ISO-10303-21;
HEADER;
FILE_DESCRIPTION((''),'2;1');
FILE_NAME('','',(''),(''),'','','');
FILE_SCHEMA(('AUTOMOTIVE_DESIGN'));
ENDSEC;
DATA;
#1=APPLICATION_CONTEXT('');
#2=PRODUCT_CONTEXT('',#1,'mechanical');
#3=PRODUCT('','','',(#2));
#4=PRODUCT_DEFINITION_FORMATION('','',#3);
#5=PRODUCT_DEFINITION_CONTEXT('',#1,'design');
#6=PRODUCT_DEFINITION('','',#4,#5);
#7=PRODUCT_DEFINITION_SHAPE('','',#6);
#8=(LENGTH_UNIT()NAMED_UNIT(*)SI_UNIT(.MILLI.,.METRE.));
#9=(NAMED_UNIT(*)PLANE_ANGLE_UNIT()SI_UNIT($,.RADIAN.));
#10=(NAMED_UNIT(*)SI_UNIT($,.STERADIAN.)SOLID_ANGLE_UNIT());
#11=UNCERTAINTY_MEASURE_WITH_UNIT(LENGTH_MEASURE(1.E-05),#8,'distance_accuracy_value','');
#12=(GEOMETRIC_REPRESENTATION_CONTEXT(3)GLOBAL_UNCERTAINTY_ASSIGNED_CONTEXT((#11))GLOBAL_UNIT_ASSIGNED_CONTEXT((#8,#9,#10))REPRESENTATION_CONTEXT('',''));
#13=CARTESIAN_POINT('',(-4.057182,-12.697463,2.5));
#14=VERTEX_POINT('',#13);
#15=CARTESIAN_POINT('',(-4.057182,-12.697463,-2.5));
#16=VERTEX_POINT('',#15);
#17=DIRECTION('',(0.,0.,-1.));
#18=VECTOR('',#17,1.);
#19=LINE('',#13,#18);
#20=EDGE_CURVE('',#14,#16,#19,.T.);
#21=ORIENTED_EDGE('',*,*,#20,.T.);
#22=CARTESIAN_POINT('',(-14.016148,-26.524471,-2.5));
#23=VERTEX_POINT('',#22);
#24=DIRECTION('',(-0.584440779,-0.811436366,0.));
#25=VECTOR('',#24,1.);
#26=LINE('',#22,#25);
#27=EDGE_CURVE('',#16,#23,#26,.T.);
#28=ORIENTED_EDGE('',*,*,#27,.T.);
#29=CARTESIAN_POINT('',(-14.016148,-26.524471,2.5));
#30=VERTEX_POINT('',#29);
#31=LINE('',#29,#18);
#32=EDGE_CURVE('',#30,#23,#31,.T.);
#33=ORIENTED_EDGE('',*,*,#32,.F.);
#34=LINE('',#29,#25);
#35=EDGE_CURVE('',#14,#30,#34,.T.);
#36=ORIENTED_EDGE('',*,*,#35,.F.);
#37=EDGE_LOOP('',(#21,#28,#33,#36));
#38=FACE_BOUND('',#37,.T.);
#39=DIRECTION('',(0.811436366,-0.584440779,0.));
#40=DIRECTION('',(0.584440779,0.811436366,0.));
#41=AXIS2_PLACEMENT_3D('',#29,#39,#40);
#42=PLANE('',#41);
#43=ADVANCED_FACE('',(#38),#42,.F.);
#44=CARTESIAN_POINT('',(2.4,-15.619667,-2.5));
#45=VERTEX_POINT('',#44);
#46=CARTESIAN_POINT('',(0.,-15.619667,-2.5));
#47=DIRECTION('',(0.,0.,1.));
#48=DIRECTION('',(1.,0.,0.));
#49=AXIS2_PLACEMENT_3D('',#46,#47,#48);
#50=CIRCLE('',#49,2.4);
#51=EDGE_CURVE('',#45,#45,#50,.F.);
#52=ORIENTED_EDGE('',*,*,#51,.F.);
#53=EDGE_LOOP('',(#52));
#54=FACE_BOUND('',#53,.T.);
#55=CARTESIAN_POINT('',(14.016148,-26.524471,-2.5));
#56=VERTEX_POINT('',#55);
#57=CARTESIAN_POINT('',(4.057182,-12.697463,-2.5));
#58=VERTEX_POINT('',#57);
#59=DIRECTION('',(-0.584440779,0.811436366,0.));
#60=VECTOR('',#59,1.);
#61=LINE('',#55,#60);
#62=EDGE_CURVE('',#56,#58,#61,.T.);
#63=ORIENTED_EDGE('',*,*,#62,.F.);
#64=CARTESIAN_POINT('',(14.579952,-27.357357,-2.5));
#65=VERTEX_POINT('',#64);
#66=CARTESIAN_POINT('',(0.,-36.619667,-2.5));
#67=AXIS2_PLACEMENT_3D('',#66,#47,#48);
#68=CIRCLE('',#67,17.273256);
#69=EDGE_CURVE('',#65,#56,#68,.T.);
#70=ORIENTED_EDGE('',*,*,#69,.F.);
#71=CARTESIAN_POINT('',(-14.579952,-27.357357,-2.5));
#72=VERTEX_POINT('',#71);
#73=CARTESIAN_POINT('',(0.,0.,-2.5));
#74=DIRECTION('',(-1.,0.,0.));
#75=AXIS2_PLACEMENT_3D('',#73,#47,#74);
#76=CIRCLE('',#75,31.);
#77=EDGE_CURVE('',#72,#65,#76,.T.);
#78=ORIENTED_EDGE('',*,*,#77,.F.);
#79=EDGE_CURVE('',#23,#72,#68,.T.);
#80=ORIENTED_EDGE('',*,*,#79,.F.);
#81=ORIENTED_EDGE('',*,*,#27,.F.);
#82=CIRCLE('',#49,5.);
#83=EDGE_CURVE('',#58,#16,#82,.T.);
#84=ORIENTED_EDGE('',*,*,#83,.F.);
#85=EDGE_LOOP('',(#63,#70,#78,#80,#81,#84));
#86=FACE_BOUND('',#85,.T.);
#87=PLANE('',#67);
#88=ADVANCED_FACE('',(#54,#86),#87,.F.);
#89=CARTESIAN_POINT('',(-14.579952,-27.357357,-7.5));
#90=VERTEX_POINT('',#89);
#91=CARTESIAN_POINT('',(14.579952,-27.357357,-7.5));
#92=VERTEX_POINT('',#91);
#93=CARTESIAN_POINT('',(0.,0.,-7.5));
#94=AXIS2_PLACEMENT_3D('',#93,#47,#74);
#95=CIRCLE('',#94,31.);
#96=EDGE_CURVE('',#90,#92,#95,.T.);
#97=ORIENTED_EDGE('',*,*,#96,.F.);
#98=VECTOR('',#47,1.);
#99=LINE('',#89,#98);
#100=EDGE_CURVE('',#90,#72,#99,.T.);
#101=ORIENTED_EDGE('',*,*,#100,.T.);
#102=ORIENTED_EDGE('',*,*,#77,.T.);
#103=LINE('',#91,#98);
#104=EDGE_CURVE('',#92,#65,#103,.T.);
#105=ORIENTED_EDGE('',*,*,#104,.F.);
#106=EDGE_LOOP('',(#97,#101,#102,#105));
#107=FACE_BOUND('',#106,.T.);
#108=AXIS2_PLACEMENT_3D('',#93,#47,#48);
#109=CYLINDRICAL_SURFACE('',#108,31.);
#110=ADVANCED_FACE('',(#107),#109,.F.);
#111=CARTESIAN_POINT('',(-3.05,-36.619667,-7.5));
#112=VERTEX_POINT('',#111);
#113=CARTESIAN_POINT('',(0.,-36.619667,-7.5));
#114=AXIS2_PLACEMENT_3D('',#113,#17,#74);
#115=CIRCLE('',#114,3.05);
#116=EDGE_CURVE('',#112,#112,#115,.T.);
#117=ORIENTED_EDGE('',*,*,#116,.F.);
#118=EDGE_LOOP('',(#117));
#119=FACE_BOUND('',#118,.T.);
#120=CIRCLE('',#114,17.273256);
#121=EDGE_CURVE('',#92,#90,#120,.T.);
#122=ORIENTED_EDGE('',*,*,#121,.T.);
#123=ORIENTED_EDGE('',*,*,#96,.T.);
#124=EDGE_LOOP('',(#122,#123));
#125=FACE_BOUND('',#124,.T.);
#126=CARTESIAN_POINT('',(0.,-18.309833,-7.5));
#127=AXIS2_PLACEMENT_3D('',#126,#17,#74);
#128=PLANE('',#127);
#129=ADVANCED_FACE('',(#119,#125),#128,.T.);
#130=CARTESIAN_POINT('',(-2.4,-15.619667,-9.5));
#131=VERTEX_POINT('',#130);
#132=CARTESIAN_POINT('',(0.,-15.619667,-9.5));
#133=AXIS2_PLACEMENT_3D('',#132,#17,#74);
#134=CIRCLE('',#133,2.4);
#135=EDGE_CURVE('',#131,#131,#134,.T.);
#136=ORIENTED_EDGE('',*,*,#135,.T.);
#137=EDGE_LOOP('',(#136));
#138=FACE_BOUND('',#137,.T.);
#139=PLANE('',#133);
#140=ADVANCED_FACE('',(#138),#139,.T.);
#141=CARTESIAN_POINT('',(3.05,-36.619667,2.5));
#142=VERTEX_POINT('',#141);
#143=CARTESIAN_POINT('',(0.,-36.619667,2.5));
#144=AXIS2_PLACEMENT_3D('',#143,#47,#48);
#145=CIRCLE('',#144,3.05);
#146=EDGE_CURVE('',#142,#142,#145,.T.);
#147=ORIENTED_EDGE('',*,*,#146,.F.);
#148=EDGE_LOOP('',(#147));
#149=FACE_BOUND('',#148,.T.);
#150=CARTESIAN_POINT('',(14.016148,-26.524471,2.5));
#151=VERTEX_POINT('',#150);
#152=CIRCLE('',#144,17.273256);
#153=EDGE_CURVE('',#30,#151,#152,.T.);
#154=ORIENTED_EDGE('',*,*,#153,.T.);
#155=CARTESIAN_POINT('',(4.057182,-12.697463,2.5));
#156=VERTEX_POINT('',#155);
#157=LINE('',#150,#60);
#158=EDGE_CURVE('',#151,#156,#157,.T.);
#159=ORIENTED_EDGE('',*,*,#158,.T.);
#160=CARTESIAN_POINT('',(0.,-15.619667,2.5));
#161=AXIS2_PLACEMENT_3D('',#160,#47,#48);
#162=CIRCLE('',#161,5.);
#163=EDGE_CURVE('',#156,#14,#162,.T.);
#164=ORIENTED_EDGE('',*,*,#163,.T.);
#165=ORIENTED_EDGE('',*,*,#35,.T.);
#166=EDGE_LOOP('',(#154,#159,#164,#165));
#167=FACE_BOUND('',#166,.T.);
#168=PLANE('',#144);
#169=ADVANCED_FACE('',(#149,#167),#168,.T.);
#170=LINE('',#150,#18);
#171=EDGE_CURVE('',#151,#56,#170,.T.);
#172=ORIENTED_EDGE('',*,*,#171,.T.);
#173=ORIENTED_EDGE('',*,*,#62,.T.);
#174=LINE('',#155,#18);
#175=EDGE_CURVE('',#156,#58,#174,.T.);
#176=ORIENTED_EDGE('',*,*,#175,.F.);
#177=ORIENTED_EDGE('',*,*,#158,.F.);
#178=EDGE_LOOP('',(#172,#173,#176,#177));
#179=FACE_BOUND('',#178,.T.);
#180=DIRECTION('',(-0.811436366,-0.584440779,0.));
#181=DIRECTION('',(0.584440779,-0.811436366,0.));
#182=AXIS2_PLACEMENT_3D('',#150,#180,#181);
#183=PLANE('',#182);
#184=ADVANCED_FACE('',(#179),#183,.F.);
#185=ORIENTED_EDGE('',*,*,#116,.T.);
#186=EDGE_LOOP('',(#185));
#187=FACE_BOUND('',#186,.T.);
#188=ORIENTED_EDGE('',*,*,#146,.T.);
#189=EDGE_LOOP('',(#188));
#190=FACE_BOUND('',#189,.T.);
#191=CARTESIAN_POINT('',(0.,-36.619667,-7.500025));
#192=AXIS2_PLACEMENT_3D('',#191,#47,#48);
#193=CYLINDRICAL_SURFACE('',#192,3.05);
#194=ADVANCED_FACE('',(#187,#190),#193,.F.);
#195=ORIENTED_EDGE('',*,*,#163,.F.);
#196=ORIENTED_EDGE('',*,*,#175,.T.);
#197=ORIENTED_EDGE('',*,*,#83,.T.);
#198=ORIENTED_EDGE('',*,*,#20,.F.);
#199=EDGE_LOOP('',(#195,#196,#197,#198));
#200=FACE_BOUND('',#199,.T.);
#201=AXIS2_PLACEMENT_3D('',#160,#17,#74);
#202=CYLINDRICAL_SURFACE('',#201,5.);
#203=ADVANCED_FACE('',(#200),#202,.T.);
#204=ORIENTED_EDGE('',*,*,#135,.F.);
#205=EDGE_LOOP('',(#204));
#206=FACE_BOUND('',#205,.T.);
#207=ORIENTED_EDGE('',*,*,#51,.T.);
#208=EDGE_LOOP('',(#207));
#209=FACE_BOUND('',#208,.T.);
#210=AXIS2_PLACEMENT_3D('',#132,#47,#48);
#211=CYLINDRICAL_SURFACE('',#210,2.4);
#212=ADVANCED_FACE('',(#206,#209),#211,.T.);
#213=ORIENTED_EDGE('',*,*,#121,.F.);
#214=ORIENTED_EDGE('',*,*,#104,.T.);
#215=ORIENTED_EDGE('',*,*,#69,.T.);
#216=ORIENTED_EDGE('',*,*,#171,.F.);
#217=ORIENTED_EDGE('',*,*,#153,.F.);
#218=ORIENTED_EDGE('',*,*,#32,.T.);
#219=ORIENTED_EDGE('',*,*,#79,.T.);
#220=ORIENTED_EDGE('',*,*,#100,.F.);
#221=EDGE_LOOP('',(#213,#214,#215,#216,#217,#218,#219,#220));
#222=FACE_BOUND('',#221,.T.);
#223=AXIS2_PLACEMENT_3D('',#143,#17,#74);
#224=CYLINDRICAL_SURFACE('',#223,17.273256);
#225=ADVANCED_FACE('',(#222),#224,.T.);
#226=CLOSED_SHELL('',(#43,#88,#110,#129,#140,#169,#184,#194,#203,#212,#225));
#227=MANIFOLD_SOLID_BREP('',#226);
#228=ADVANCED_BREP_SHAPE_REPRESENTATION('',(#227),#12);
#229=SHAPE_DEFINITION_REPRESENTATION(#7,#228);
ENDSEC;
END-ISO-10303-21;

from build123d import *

# Parameters (mm, degrees)
EXTRUDE1_DEPTH      = 2.5
EXTRUDE2_DEPTH      = 5
SKETCH4_R           = 3.05
EXTRUDE4_DEPTH      = 58.470101426
SKETCH5_R           = 2.4
BOSS_EXTRUDE1_DEPTH = 7


with BuildPart() as part:
    # Sketch1 → Extrude1 (new, symmetric)
    with BuildSketch(Plane.XY):
        with BuildLine():
            Line((-14.016148368, -26.524471435), (-4.057181828, -12.697462951))
            ThreePointArc((-4.057181828, -12.697462951), (0, -10.619666847), (4.057181828, -12.697462951))
            Line((4.057181828, -12.697462951), (14.016148368, -26.524471435))
            ThreePointArc((14.016148368, -26.524471435), (0, -53.892923213), (-14.016148368, -26.524471435))
        make_face()
    extrude(amount=EXTRUDE1_DEPTH, both=True)

    # Sketch2 → Extrude2 (add)
    with BuildSketch(Plane(origin=(0, 0, -2.5), x_dir=(-1, 0, 0), z_dir=(0, 0, -1))):
        with BuildLine():
            ThreePointArc((-14.57995219, -27.357357221), (0, -53.892923213), (14.57995219, -27.357357221))
            ThreePointArc((14.57995219, -27.357357221), (0, -31), (-14.57995219, -27.357357221))
        make_face()
    extrude(amount=EXTRUDE2_DEPTH)

    # Sketch4 → Extrude4 (cut, through all)
    with BuildSketch(Plane.XY.offset(2.5)):
        with Locations((0, -36.619666847)):
            Circle(SKETCH4_R)
    extrude(amount=-EXTRUDE4_DEPTH, mode=Mode.SUBTRACT)

    # Sketch5 → Boss-Extrude1 (add)
    with BuildSketch(Plane(origin=(0, 0, -2.5), x_dir=(-1, 0, 0), z_dir=(0, 0, -1))):
        with Locations(Location((0, -15.619666847, 0), (0, 0, 180))):
            Circle(SKETCH5_R)
    extrude(amount=BOSS_EXTRUDE1_DEPTH)


solid = part.part
